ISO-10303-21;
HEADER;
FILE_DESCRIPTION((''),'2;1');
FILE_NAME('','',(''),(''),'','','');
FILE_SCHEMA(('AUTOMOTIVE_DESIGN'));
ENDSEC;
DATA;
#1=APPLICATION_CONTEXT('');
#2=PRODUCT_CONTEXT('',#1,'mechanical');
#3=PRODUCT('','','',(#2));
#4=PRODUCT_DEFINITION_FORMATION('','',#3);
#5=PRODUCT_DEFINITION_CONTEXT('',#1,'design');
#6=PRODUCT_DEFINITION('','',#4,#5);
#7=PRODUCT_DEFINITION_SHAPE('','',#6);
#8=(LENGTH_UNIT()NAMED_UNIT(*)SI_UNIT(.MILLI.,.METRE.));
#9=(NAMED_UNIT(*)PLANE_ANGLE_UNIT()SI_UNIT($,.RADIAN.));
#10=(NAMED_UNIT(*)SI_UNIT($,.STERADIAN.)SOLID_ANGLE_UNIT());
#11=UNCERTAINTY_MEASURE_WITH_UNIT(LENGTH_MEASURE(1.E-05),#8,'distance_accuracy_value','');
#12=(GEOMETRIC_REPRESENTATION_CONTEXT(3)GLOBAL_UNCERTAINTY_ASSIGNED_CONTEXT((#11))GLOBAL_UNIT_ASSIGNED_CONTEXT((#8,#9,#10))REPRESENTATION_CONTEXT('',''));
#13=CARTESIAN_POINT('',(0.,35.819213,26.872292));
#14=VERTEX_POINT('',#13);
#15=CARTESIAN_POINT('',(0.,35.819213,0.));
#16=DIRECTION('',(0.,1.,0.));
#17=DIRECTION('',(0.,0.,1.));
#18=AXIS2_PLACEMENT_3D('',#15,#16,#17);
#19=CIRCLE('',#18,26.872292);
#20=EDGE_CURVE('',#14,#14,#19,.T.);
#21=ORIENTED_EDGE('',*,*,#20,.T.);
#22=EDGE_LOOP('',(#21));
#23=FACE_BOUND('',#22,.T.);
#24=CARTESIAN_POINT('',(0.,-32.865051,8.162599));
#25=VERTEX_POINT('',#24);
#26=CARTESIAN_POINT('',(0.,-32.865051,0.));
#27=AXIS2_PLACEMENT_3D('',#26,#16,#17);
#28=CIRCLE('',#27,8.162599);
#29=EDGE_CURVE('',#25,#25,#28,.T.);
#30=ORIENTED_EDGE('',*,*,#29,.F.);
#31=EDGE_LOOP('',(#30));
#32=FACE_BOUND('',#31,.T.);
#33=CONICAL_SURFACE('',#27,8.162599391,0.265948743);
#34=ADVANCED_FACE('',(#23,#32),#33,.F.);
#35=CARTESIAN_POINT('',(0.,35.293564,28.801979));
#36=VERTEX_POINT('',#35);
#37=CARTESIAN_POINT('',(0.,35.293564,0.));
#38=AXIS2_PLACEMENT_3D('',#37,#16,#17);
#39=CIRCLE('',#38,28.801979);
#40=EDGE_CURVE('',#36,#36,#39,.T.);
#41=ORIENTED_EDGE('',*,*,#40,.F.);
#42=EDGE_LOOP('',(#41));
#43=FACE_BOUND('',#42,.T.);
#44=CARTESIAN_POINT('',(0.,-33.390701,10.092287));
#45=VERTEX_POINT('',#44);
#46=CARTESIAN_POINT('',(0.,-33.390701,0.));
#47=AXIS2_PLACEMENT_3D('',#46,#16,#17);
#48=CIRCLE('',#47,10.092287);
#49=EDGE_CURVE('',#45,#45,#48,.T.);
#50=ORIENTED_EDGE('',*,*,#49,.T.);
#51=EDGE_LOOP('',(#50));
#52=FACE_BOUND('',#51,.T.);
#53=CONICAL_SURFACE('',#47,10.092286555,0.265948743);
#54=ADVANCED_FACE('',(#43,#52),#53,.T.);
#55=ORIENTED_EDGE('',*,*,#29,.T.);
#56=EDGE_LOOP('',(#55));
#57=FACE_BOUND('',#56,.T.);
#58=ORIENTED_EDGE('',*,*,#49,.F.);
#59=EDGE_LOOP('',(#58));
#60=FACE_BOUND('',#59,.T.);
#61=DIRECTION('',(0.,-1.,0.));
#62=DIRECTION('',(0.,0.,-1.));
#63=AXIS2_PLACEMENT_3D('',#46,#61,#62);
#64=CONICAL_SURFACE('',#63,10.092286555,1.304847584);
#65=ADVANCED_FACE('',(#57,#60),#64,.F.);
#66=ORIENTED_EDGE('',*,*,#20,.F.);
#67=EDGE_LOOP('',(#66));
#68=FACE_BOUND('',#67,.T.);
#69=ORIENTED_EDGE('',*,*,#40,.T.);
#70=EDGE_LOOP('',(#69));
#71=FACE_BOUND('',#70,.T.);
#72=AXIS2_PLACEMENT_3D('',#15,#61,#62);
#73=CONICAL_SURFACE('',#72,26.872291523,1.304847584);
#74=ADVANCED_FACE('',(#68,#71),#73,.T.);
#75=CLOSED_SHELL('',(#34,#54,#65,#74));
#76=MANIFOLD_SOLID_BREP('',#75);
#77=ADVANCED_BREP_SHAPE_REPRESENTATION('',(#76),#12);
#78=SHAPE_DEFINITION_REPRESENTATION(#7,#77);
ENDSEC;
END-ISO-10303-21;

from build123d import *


with BuildPart() as part:
    # Skizze1 → Rotation-Dünn1 (revolve)
    with BuildSketch(Plane.XY):
        Polygon((8.162599391, -32.865051311), (26.872291523, 35.819213227), (28.801978687, 35.293563677), (10.092286555, -33.390700861), align=None)
    revolve(axis=Axis((0, 35.819213227, 0), (0, -1, 0)))


solid = part.part
